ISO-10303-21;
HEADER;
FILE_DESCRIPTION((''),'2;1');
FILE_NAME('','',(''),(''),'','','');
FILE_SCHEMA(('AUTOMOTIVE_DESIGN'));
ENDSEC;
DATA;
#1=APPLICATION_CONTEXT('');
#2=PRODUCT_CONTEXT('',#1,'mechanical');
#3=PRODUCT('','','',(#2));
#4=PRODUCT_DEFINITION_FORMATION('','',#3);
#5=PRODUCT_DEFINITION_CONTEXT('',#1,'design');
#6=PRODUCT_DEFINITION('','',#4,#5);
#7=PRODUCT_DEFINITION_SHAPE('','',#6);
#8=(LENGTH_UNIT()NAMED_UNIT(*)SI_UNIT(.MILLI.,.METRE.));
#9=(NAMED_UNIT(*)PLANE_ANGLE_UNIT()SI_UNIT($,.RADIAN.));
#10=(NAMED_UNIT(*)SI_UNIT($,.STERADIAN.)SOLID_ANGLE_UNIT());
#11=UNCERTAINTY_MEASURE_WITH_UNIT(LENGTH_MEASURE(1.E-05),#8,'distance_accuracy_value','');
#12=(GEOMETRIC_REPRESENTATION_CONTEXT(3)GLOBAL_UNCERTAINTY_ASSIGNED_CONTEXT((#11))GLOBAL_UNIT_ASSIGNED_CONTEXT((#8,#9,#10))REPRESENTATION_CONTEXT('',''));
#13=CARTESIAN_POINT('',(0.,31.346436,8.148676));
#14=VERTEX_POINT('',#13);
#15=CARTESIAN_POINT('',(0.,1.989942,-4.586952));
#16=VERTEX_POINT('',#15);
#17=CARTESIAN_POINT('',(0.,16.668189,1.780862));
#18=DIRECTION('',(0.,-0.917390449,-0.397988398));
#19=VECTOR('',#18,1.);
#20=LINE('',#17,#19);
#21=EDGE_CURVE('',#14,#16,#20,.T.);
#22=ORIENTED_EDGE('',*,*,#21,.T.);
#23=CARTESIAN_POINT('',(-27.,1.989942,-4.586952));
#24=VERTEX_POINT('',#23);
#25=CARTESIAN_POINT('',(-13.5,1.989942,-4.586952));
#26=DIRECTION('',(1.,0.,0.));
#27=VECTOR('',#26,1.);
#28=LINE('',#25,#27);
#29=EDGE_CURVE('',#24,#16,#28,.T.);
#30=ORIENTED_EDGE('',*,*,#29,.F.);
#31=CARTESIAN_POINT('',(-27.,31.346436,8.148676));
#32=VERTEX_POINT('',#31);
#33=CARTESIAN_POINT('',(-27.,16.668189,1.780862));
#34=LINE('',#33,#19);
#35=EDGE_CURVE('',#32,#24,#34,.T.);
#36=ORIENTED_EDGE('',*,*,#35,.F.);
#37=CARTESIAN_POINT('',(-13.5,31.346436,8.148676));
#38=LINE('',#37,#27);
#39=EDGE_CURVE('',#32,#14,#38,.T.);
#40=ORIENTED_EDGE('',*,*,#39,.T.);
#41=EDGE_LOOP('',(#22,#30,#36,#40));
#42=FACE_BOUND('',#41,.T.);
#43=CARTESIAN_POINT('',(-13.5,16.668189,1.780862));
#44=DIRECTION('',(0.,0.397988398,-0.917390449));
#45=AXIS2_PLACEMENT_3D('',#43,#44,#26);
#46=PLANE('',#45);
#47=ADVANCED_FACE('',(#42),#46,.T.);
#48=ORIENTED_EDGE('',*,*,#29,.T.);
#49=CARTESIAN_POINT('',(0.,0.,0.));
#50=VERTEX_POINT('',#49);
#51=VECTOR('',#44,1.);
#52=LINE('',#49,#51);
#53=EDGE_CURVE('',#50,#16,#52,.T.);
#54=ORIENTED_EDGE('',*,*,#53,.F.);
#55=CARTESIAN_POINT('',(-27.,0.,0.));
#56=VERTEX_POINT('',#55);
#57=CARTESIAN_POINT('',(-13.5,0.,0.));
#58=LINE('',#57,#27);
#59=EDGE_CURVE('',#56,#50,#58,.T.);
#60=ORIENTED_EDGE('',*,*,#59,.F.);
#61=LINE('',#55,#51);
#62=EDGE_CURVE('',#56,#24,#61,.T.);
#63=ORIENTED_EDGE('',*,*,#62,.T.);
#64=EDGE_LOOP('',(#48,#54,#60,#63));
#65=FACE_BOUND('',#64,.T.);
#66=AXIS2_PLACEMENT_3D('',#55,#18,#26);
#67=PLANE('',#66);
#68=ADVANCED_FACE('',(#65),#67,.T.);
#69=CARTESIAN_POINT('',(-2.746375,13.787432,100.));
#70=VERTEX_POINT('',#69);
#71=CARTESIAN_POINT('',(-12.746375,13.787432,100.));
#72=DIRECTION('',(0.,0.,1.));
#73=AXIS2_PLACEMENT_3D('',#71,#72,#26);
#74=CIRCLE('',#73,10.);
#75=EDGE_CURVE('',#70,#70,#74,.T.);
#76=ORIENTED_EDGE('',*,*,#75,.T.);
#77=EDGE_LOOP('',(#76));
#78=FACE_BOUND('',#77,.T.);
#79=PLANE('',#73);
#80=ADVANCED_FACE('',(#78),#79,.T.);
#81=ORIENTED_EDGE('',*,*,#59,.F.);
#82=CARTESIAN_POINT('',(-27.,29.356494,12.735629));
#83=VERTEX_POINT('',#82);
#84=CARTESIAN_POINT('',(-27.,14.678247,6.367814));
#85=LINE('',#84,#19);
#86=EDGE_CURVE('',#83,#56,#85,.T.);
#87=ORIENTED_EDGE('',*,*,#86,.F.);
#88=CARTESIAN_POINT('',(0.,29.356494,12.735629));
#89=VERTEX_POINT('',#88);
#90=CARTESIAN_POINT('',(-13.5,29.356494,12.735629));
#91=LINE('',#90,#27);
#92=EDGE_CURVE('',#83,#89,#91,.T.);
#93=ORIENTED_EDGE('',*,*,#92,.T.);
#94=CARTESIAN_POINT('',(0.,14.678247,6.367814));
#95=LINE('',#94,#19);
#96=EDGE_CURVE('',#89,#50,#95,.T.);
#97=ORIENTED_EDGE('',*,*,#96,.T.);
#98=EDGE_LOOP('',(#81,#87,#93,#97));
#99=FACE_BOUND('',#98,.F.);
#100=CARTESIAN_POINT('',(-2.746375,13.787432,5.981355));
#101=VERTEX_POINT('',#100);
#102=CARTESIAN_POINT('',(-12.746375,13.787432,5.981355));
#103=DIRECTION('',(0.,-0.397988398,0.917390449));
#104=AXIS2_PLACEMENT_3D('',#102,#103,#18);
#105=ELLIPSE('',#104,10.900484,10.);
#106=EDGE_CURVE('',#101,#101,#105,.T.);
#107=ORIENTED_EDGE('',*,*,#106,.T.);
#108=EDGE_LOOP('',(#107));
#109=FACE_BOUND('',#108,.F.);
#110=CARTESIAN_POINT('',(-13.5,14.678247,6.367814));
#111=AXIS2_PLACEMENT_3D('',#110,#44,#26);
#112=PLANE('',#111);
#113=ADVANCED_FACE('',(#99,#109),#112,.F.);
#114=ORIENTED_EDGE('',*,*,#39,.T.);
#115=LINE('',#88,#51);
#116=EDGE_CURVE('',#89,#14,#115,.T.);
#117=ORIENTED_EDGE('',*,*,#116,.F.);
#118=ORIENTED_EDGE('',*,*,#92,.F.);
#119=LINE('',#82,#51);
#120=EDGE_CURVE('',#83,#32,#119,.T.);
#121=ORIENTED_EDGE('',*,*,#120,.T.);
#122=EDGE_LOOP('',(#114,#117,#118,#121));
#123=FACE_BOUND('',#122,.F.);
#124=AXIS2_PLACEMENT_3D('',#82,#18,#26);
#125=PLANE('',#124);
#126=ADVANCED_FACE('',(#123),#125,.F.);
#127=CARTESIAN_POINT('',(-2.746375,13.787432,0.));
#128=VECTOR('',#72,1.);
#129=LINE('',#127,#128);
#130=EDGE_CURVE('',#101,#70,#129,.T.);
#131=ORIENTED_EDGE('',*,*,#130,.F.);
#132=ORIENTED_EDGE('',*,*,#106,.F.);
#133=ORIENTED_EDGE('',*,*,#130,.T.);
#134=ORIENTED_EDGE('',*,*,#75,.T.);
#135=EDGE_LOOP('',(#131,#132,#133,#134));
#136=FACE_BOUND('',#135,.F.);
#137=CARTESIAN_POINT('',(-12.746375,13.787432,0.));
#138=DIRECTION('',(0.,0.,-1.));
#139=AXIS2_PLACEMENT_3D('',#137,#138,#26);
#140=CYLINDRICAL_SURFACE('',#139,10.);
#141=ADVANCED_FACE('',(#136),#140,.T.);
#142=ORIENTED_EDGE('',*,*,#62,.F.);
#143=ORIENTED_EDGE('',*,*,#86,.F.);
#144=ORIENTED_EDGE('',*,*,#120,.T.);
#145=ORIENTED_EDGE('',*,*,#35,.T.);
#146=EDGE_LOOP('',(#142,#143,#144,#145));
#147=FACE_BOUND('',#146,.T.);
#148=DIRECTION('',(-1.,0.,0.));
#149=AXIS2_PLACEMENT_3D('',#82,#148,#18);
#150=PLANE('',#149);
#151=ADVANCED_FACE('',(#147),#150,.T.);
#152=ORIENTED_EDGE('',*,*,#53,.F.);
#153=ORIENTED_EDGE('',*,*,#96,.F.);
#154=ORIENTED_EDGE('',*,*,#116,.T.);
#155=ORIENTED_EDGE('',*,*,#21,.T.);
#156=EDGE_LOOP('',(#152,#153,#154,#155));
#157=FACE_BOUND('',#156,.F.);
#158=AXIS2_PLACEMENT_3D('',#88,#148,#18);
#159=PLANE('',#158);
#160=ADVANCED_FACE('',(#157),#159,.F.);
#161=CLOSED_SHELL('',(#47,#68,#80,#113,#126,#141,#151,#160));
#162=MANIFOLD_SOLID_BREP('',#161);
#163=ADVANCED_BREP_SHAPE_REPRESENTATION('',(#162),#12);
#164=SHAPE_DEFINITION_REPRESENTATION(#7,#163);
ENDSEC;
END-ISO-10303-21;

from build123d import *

# Parameters (mm, degrees)
F0_R     = 10
F1_DEPTH = 100
F3_DEPTH = 25
F4_W     = 27
F4_H     = 32
F5_DEPTH = 5


with BuildPart() as f1:
    # F0 (on Top) → F1 (new body)
    with BuildSketch(Plane.XY):
        with Locations((-12.7463750541, 13.7874316424)):
            Circle(F0_R)
    extrude(amount=F1_DEPTH)

    # F2 (on Right) → F3 (cut)
    with BuildSketch(Plane.YZ):
        Polygon((35.4767926037, 15.3907770291), (0, 0), (35.4767926037, 0), align=None)
    extrude(amount=-F3_DEPTH, mode=Mode.SUBTRACT)

    # F4 (on face) → F5 (join)
    with BuildSketch(Plane(origin=(0, 0, 0), x_dir=(1, 0, 0), z_dir=(0, 0.3979883977, -0.9173904487))):
        with Locations((-13.5, -16)):
            Rectangle(F4_W, F4_H)
    extrude(amount=F5_DEPTH)


solid = f1.part
